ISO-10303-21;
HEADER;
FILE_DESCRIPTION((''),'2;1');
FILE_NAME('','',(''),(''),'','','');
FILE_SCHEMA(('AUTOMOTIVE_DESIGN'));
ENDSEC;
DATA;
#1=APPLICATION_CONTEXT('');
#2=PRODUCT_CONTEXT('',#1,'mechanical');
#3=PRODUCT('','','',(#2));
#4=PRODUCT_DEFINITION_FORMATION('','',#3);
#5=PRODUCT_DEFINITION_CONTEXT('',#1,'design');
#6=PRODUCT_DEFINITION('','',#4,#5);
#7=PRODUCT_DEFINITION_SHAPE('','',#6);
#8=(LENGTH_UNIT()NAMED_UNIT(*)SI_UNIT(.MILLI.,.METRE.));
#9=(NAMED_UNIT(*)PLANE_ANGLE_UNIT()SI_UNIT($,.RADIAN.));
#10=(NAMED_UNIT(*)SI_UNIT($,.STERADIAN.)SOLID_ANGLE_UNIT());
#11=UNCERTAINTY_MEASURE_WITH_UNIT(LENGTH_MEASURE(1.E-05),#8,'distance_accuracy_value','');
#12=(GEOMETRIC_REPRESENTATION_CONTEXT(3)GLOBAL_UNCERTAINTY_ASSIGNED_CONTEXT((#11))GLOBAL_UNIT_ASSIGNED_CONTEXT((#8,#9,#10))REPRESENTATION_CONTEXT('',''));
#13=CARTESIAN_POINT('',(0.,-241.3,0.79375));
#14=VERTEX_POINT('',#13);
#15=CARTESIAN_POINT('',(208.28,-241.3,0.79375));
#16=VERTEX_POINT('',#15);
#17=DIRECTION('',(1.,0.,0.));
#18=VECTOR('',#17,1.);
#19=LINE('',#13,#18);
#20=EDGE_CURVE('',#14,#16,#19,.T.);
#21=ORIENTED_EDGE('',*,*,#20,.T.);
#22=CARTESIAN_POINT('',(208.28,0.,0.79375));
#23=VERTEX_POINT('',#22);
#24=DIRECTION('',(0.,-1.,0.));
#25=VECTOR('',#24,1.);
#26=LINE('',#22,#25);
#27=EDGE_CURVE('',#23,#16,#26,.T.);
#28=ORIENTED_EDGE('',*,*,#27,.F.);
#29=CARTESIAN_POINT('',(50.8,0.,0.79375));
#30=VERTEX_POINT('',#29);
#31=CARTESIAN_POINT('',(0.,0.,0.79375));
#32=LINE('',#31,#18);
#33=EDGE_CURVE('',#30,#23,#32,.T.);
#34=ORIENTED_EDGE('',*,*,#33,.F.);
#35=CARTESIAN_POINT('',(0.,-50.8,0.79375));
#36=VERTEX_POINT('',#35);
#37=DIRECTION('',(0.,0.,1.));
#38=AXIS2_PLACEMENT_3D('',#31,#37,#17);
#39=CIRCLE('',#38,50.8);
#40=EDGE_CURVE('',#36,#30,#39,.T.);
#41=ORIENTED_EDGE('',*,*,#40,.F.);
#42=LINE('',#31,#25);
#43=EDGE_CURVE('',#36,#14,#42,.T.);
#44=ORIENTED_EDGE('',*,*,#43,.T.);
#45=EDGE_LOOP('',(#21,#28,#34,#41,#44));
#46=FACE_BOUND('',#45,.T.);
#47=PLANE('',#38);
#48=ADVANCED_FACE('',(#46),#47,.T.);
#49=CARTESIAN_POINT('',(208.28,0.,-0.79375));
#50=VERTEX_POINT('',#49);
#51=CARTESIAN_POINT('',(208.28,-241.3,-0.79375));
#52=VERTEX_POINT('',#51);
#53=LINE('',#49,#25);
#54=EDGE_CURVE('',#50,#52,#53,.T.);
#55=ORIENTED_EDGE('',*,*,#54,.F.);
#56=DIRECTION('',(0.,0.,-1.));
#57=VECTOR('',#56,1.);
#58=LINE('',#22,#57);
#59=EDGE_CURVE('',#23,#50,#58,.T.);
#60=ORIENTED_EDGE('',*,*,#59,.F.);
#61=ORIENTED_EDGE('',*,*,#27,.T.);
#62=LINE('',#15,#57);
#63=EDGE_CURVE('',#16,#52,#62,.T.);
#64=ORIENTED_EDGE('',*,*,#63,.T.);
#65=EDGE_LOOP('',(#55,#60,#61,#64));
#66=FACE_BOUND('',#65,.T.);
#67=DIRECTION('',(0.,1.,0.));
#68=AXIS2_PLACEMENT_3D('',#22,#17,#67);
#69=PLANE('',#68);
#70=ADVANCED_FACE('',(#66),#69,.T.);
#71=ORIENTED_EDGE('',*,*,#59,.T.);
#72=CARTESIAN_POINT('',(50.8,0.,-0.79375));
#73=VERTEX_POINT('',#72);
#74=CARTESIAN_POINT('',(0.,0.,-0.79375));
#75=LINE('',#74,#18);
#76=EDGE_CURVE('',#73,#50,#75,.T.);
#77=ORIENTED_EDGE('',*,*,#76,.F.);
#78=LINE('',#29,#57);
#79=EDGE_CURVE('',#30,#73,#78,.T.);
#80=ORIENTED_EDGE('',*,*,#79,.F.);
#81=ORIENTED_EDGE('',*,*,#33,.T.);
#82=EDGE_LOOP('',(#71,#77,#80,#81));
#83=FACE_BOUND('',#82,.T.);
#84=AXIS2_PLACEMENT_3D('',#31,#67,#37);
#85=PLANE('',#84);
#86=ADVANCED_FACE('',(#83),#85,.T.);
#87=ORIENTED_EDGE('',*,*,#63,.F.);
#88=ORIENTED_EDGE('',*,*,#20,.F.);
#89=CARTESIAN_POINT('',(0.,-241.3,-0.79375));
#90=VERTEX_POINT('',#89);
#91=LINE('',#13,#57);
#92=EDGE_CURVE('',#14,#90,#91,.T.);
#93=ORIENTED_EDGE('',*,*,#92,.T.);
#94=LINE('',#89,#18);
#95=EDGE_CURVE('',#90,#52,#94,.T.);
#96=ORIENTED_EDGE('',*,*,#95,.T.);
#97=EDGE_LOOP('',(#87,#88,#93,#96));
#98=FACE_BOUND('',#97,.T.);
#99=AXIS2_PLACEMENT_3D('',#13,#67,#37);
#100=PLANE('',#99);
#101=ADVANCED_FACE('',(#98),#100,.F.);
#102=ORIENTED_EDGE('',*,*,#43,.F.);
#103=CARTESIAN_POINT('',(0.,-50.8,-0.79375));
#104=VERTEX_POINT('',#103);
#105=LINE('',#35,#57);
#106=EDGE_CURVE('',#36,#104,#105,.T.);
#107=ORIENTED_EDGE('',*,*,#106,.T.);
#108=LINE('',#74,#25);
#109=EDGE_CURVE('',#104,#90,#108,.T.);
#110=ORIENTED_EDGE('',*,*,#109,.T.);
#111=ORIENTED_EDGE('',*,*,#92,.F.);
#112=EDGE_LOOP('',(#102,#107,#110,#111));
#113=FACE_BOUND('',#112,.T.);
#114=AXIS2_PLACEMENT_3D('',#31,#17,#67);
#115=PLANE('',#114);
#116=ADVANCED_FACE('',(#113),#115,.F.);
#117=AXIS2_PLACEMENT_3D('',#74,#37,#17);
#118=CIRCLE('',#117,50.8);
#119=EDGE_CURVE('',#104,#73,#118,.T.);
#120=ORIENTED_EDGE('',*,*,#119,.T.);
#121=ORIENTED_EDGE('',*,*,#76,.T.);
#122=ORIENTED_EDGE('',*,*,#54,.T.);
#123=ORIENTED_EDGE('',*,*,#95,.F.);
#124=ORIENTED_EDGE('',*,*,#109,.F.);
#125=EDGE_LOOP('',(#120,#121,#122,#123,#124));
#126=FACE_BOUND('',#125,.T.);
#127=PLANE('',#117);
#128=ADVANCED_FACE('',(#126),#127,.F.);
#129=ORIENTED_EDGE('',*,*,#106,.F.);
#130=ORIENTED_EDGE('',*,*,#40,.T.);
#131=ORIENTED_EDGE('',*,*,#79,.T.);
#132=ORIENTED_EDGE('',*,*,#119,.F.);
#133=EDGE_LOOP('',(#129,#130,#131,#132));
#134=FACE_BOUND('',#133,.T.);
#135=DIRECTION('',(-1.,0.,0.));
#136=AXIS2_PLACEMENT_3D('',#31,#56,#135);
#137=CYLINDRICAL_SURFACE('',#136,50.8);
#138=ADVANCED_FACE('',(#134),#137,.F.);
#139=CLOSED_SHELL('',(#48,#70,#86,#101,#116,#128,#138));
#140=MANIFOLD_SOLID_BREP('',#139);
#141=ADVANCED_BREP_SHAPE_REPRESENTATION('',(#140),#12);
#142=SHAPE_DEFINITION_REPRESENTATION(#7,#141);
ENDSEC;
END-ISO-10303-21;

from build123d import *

# Parameters (mm, degrees)
SKETCH2_W           = 25.4
SKETCH2_H           = 241.3
BOSS_EXTRUDE1_DEPTH = 0.79375


with BuildPart() as part:
    # Sketch2 → Boss-Extrude1 (new, symmetric)
    with BuildSketch(Plane.XY):
        with BuildLine():
            ThreePointArc((0, -50.8), (35.921024484, -35.921024484), (50.8, 0))
            Line((50.8, 0), (182.88, 0))
            Line((182.88, 0), (182.88, -241.3))
            Line((182.88, -241.3), (0, -241.3))
            Line((0, -241.3), (0, -50.8))
        make_face()
        with Locations((195.58, -120.65)):
            Rectangle(SKETCH2_W, SKETCH2_H)
    extrude(amount=BOSS_EXTRUDE1_DEPTH, both=True)


solid = part.part
